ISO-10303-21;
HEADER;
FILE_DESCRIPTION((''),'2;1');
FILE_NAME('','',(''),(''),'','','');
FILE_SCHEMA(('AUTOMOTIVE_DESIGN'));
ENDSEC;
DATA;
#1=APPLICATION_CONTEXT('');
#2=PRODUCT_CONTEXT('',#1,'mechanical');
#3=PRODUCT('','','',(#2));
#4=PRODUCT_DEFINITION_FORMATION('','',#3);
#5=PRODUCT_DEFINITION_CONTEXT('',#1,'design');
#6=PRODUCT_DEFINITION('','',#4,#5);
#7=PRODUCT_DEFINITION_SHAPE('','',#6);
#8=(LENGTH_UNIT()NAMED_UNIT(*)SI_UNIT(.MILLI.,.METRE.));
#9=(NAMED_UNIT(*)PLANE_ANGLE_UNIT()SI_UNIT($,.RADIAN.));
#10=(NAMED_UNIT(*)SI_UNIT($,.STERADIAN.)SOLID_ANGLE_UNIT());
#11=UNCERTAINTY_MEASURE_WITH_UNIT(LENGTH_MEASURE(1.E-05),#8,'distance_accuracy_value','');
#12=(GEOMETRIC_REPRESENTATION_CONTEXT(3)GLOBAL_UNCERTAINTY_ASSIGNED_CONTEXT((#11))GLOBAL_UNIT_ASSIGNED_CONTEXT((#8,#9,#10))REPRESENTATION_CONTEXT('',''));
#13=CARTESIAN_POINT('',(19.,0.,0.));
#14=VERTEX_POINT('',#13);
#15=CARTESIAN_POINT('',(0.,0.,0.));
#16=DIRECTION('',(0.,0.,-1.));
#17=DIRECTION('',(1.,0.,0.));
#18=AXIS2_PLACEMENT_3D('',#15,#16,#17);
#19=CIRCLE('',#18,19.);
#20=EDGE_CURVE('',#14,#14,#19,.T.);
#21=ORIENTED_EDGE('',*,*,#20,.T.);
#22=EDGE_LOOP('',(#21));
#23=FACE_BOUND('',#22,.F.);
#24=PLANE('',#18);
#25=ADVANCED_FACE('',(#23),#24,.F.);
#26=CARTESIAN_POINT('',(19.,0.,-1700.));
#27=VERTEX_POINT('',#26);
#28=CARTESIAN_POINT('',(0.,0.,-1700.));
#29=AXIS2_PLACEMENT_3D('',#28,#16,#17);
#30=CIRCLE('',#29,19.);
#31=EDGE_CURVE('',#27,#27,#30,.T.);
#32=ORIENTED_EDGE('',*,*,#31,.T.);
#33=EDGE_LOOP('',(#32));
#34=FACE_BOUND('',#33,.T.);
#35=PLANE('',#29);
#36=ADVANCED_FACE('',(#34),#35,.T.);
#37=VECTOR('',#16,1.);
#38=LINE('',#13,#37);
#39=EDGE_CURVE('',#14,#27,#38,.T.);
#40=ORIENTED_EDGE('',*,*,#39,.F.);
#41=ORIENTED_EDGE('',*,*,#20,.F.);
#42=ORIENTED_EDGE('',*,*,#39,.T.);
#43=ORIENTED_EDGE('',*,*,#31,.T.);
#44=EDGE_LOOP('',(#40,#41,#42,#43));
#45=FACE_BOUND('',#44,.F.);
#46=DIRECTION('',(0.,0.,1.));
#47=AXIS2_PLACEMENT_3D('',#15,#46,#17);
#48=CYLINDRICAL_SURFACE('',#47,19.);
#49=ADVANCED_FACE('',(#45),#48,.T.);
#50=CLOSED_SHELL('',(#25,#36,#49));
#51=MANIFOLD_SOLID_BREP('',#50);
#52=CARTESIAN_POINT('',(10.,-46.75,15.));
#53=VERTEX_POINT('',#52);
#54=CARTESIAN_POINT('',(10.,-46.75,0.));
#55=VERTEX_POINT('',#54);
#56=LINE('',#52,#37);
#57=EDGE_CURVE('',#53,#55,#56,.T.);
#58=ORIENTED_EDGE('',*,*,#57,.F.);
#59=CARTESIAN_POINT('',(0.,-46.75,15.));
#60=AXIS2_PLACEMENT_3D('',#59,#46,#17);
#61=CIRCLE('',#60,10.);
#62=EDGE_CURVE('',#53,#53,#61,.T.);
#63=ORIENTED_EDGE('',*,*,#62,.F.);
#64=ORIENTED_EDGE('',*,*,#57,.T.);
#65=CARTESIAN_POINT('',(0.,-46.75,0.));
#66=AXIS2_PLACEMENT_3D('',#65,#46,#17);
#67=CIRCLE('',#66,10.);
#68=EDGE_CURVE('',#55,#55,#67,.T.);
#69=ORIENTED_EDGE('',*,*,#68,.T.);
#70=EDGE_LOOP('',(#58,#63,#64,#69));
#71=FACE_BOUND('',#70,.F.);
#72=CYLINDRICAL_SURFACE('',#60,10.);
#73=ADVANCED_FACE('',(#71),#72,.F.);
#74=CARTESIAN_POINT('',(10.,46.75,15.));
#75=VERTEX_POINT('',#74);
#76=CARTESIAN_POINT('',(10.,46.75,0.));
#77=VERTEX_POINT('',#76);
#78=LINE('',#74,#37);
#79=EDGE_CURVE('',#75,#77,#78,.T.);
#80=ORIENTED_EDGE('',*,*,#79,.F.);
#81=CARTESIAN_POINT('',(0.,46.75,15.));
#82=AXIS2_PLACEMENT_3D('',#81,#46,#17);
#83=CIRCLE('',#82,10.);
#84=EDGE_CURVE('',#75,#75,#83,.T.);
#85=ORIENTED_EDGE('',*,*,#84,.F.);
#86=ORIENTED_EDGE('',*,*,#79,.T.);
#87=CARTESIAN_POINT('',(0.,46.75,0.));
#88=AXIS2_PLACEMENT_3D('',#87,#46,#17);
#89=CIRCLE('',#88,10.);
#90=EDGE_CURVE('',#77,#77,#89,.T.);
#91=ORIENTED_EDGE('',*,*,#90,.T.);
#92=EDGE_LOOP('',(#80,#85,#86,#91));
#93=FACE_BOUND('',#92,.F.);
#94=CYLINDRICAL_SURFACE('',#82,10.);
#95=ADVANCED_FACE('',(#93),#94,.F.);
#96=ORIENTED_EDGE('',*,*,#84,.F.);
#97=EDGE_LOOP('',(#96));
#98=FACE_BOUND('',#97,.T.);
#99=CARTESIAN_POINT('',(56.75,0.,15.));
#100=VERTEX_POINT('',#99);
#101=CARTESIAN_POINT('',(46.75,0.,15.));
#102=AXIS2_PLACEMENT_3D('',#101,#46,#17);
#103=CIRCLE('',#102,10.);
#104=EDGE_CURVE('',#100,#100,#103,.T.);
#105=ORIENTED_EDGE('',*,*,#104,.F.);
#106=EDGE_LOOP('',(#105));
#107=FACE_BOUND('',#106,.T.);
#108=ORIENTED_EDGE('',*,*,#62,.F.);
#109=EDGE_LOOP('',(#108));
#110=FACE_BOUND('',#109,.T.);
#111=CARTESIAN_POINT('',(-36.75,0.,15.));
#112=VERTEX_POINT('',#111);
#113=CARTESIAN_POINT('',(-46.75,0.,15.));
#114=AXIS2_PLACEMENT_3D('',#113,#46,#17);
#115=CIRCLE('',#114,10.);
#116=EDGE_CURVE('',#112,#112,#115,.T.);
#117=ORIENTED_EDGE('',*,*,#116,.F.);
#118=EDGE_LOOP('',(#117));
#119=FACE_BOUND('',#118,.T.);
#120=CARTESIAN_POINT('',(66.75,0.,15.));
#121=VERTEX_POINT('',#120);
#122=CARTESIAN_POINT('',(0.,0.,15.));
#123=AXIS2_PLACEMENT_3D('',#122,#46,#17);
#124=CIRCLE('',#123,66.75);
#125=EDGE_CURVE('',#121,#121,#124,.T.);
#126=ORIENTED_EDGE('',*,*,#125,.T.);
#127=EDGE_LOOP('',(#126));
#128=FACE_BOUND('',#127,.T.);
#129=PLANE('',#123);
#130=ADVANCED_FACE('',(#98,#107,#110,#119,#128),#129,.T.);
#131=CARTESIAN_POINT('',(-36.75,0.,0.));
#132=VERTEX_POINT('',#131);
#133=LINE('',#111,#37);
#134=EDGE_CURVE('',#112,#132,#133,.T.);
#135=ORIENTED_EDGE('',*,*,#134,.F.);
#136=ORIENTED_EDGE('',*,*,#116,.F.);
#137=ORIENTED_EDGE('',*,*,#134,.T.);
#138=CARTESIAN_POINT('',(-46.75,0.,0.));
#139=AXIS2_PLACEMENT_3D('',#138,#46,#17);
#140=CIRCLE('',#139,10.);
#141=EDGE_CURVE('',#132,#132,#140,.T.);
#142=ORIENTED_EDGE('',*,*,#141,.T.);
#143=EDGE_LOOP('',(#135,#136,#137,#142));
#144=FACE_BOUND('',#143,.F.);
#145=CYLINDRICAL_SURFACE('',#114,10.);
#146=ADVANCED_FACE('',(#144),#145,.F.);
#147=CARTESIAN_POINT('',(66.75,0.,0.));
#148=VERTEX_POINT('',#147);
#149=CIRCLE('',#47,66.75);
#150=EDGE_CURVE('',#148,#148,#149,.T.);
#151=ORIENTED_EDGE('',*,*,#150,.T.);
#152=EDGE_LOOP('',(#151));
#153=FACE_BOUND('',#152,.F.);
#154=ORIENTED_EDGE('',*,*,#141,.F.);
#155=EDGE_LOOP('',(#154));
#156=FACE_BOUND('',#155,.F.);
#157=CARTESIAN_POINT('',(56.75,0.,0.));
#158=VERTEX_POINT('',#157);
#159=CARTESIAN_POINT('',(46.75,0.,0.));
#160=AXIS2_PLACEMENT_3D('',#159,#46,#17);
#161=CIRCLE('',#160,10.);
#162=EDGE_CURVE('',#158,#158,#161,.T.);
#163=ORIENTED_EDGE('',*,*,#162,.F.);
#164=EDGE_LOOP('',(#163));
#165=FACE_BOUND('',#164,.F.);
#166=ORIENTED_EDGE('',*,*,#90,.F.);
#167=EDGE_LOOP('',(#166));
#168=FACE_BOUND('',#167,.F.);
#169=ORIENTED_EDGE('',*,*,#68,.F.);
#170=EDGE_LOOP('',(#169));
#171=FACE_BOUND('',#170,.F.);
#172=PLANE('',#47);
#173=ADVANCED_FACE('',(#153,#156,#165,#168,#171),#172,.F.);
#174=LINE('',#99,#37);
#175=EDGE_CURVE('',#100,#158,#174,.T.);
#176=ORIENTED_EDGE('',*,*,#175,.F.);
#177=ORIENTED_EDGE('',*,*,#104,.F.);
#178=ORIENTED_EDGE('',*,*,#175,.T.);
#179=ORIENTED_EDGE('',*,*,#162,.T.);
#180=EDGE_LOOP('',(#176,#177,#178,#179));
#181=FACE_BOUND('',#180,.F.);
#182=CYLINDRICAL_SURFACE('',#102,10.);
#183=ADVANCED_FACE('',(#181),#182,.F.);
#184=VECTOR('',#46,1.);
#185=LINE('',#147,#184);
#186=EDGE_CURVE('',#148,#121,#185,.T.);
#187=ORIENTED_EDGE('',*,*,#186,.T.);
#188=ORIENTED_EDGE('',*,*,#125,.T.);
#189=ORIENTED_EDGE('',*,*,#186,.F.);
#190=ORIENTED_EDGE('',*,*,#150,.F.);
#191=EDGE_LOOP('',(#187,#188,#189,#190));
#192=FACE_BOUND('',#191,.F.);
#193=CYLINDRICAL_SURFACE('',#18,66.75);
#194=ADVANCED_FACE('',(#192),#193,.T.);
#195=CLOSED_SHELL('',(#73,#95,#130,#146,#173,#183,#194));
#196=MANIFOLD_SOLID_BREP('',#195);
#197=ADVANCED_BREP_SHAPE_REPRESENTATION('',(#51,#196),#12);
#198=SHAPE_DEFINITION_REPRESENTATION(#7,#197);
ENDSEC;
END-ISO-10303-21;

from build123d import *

# Parameters (mm, degrees)
F0_R     = 66.75
F1_DEPTH = 15
F2_R     = 19
F3_DEPTH = 1700
F4_R     = 10
F5_DEPTH = 15


with BuildPart() as f1:
    # F0 (on Top) → F1 (new body)
    with BuildSketch(Plane.XY):
        Circle(F0_R)
    extrude(amount=F1_DEPTH)

    # F4 (on face) → F5 (cut, through all)
    with BuildSketch(Plane.XY.offset(15)):
        with Locations((46.75, 0)):
            Circle(F4_R)
        with Locations((0, 46.75)):
            Circle(F4_R)
        with Locations((-46.75, 0)):
            Circle(F4_R)
        with Locations((0, -46.75)):
            Circle(F4_R)
    extrude(amount=-F5_DEPTH, mode=Mode.SUBTRACT)


with BuildPart() as f3:
    # F2 (on face) → F3 (new body)
    with BuildSketch(Plane(origin=(0, 0, 0), x_dir=(1, 0, 0), z_dir=(0, 0, -1))):
        Circle(F2_R)
    extrude(amount=F3_DEPTH)


solid = Compound([f1.part, f3.part])
